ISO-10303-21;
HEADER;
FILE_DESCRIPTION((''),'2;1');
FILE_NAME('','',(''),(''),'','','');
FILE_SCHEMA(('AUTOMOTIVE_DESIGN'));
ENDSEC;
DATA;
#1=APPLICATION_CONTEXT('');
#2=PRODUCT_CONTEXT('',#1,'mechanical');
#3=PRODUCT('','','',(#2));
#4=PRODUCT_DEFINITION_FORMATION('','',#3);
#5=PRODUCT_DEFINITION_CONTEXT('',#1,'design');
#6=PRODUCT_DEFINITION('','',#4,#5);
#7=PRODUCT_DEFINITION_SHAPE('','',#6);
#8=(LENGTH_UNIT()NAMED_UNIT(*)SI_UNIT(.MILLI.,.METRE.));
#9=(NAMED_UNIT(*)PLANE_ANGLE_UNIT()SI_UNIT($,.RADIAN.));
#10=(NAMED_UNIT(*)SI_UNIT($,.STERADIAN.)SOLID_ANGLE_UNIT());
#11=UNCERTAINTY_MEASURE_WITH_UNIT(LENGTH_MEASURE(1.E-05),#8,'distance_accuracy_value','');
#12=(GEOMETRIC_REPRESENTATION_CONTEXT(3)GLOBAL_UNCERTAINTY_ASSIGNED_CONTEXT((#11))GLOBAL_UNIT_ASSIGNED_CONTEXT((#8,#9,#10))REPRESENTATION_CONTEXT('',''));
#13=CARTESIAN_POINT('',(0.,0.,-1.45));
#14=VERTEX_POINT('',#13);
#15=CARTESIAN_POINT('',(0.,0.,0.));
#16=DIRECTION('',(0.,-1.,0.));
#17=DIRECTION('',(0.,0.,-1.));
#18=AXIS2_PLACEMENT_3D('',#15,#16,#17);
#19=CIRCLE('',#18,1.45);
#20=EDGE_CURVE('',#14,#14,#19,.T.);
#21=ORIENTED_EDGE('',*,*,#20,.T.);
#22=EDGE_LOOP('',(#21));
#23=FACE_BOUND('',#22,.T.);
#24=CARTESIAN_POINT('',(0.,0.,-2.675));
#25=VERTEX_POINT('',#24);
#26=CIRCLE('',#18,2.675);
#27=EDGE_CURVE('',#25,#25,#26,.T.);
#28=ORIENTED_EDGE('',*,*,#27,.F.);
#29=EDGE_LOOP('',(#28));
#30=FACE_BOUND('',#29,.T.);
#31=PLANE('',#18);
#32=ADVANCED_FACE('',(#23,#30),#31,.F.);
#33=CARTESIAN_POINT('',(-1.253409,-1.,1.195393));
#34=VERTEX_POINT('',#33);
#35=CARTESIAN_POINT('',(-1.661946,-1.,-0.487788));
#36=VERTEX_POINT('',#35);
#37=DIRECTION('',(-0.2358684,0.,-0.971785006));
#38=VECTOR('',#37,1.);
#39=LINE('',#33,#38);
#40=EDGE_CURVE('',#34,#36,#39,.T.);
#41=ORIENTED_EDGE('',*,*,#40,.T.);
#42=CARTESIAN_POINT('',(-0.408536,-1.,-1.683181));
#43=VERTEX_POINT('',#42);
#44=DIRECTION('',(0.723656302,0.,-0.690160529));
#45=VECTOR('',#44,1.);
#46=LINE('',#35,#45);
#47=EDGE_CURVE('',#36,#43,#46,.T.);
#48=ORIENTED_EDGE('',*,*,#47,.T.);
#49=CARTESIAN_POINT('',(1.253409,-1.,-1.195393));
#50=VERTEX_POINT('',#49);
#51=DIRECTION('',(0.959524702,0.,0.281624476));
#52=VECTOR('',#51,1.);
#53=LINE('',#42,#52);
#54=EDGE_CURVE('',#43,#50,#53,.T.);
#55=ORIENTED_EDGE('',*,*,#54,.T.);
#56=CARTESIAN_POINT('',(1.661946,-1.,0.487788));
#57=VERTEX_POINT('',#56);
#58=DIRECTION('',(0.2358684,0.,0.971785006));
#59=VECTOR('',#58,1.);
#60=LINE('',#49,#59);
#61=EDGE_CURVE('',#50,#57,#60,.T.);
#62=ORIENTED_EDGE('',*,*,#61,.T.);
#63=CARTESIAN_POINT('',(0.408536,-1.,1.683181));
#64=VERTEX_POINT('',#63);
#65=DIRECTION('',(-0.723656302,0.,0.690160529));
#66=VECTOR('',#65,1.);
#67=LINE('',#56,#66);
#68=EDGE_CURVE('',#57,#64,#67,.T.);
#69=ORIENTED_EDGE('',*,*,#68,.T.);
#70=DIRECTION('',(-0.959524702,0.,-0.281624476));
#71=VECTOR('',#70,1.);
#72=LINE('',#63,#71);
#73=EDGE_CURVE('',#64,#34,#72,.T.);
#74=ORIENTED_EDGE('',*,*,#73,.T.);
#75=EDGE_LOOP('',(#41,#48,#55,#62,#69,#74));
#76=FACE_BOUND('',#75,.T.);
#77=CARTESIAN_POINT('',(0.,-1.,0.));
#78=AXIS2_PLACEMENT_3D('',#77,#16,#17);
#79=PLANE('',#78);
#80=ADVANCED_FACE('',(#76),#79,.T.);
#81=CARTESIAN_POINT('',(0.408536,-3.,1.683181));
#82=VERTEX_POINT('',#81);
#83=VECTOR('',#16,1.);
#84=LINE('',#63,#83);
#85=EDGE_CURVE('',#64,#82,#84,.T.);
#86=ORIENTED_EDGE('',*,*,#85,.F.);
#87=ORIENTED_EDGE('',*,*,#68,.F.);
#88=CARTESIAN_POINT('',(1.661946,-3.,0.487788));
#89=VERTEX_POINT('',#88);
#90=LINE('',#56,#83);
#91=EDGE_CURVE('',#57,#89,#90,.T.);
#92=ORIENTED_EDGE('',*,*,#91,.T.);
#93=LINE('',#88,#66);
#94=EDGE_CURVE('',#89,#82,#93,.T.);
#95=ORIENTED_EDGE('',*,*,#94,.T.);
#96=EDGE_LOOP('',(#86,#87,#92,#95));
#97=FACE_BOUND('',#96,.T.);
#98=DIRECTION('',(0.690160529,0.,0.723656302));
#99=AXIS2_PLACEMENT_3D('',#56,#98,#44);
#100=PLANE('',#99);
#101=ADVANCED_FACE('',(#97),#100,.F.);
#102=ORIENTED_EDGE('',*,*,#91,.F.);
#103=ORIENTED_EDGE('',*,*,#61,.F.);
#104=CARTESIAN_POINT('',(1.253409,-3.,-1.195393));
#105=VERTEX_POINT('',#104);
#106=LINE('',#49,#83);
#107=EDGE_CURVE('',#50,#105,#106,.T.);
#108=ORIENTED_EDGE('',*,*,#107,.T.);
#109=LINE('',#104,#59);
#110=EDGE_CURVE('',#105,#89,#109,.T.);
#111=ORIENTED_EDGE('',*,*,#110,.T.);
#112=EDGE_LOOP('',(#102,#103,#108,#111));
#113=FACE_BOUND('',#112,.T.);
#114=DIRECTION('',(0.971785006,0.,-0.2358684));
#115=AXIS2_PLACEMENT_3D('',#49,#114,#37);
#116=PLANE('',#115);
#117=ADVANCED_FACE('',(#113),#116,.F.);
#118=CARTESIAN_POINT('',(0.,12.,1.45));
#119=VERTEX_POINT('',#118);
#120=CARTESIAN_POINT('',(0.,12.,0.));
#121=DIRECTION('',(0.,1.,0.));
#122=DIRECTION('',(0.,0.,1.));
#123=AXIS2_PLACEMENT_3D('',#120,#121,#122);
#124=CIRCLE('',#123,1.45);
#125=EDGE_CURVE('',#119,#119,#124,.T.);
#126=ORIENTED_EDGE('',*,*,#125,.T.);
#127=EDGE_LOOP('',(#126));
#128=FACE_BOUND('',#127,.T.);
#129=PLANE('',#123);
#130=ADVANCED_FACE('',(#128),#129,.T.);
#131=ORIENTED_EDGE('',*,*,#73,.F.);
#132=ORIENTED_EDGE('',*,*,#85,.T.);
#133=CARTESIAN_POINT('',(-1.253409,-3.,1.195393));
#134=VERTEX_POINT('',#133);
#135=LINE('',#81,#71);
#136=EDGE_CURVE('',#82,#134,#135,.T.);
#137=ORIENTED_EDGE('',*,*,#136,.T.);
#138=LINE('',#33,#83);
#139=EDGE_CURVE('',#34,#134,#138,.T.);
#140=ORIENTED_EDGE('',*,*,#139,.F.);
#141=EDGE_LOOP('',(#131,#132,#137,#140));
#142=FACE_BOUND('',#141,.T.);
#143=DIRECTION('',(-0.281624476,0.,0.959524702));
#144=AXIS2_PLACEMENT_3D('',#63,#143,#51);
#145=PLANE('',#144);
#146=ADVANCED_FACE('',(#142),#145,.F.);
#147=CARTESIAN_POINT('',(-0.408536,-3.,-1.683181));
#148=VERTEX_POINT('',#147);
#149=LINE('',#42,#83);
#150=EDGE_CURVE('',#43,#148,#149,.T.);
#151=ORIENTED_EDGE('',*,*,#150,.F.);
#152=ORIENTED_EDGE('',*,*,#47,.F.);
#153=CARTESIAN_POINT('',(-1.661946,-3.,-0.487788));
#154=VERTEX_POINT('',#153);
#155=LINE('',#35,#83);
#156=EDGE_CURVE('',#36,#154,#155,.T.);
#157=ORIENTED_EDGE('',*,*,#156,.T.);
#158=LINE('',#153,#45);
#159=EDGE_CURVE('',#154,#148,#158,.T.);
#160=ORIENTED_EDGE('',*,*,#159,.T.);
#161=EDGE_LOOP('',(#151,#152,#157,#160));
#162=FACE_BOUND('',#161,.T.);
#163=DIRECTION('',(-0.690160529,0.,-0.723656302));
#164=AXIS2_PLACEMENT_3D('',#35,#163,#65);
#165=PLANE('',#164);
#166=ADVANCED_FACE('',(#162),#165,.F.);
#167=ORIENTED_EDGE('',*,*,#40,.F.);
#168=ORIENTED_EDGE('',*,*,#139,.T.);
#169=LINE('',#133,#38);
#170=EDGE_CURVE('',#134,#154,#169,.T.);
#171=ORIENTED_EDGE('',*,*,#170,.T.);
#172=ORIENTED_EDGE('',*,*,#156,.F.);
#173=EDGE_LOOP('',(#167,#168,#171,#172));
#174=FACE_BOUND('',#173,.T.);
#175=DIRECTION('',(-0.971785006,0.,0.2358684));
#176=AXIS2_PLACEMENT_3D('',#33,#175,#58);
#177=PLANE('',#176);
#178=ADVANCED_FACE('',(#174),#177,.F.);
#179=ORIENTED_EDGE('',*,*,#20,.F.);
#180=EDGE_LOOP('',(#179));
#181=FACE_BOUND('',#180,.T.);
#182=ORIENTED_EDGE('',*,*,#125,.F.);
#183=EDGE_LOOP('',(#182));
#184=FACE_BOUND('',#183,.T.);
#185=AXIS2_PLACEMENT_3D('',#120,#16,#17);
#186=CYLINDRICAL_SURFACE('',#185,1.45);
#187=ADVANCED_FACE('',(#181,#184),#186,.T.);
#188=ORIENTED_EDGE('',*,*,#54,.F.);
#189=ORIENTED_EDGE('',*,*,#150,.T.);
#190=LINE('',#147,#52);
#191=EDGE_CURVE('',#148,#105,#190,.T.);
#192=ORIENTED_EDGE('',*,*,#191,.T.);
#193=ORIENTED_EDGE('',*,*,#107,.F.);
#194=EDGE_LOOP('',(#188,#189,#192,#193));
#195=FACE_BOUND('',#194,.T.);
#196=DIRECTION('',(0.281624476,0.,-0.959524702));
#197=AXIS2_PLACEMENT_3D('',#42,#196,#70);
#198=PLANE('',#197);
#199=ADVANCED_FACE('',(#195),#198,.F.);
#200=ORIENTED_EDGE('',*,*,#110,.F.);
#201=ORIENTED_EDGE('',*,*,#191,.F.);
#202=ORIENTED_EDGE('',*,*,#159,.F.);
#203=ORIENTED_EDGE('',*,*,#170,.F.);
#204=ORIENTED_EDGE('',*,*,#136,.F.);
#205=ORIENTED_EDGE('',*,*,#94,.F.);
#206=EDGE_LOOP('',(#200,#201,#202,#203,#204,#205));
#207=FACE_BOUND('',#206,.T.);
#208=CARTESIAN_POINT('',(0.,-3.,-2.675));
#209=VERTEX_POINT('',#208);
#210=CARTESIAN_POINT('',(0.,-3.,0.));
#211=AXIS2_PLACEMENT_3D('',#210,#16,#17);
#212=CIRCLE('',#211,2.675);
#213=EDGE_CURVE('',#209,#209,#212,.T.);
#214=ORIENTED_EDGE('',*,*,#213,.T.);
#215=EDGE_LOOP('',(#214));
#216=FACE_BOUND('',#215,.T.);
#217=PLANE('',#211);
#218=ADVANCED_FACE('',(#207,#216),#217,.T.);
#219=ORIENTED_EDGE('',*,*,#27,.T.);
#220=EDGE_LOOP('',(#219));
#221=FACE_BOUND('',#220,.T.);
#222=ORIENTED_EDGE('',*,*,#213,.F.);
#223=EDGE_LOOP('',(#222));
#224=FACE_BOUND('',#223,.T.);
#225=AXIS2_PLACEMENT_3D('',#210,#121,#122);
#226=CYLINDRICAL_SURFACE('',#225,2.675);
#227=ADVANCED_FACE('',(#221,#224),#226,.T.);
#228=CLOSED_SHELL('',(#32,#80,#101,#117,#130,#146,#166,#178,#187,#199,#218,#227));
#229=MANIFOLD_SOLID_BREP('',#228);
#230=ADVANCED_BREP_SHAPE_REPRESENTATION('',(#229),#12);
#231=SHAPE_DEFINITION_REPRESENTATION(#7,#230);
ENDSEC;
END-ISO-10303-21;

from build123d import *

# Parameters (mm, degrees)
SKETCH1_R           = 1.45
BOSS_EXTRUDE1_DEPTH = 12
SKETCH2_R           = 2.675
BOSS_EXTRUDE2_DEPTH = 3
CUT_EXTRUDE1_DEPTH  = 2


with BuildPart() as part:
    # Sketch1 → Boss-Extrude1 (new body)
    with BuildSketch(Plane(origin=(0, 0, 0), x_dir=(1, 0, 0), z_dir=(0, 1, 0))):
        with Locations(Location((0, 0, 0), (0, 0, 270))):
            Circle(SKETCH1_R)
    extrude(amount=BOSS_EXTRUDE1_DEPTH)

    # Sketch2 → Boss-Extrude2 (add)
    with BuildSketch(Plane.XZ):
        with Locations(Location((0, 0, 0), (0, 0, 270))):
            Circle(SKETCH2_R)
    extrude(amount=BOSS_EXTRUDE2_DEPTH)

    # Sketch3 → Cut-Extrude1 (cut)
    with BuildSketch(Plane.XZ.offset(3)):
        Polygon((1.661945535, 0.487787902), (0.408536053, 1.683181004), (-1.253409482, 1.195393102), (-1.661945535, -0.487787902), (-0.408536053, -1.683181004), (1.253409482, -1.195393102), align=None)
    extrude(amount=-CUT_EXTRUDE1_DEPTH, mode=Mode.SUBTRACT)


solid = part.part
